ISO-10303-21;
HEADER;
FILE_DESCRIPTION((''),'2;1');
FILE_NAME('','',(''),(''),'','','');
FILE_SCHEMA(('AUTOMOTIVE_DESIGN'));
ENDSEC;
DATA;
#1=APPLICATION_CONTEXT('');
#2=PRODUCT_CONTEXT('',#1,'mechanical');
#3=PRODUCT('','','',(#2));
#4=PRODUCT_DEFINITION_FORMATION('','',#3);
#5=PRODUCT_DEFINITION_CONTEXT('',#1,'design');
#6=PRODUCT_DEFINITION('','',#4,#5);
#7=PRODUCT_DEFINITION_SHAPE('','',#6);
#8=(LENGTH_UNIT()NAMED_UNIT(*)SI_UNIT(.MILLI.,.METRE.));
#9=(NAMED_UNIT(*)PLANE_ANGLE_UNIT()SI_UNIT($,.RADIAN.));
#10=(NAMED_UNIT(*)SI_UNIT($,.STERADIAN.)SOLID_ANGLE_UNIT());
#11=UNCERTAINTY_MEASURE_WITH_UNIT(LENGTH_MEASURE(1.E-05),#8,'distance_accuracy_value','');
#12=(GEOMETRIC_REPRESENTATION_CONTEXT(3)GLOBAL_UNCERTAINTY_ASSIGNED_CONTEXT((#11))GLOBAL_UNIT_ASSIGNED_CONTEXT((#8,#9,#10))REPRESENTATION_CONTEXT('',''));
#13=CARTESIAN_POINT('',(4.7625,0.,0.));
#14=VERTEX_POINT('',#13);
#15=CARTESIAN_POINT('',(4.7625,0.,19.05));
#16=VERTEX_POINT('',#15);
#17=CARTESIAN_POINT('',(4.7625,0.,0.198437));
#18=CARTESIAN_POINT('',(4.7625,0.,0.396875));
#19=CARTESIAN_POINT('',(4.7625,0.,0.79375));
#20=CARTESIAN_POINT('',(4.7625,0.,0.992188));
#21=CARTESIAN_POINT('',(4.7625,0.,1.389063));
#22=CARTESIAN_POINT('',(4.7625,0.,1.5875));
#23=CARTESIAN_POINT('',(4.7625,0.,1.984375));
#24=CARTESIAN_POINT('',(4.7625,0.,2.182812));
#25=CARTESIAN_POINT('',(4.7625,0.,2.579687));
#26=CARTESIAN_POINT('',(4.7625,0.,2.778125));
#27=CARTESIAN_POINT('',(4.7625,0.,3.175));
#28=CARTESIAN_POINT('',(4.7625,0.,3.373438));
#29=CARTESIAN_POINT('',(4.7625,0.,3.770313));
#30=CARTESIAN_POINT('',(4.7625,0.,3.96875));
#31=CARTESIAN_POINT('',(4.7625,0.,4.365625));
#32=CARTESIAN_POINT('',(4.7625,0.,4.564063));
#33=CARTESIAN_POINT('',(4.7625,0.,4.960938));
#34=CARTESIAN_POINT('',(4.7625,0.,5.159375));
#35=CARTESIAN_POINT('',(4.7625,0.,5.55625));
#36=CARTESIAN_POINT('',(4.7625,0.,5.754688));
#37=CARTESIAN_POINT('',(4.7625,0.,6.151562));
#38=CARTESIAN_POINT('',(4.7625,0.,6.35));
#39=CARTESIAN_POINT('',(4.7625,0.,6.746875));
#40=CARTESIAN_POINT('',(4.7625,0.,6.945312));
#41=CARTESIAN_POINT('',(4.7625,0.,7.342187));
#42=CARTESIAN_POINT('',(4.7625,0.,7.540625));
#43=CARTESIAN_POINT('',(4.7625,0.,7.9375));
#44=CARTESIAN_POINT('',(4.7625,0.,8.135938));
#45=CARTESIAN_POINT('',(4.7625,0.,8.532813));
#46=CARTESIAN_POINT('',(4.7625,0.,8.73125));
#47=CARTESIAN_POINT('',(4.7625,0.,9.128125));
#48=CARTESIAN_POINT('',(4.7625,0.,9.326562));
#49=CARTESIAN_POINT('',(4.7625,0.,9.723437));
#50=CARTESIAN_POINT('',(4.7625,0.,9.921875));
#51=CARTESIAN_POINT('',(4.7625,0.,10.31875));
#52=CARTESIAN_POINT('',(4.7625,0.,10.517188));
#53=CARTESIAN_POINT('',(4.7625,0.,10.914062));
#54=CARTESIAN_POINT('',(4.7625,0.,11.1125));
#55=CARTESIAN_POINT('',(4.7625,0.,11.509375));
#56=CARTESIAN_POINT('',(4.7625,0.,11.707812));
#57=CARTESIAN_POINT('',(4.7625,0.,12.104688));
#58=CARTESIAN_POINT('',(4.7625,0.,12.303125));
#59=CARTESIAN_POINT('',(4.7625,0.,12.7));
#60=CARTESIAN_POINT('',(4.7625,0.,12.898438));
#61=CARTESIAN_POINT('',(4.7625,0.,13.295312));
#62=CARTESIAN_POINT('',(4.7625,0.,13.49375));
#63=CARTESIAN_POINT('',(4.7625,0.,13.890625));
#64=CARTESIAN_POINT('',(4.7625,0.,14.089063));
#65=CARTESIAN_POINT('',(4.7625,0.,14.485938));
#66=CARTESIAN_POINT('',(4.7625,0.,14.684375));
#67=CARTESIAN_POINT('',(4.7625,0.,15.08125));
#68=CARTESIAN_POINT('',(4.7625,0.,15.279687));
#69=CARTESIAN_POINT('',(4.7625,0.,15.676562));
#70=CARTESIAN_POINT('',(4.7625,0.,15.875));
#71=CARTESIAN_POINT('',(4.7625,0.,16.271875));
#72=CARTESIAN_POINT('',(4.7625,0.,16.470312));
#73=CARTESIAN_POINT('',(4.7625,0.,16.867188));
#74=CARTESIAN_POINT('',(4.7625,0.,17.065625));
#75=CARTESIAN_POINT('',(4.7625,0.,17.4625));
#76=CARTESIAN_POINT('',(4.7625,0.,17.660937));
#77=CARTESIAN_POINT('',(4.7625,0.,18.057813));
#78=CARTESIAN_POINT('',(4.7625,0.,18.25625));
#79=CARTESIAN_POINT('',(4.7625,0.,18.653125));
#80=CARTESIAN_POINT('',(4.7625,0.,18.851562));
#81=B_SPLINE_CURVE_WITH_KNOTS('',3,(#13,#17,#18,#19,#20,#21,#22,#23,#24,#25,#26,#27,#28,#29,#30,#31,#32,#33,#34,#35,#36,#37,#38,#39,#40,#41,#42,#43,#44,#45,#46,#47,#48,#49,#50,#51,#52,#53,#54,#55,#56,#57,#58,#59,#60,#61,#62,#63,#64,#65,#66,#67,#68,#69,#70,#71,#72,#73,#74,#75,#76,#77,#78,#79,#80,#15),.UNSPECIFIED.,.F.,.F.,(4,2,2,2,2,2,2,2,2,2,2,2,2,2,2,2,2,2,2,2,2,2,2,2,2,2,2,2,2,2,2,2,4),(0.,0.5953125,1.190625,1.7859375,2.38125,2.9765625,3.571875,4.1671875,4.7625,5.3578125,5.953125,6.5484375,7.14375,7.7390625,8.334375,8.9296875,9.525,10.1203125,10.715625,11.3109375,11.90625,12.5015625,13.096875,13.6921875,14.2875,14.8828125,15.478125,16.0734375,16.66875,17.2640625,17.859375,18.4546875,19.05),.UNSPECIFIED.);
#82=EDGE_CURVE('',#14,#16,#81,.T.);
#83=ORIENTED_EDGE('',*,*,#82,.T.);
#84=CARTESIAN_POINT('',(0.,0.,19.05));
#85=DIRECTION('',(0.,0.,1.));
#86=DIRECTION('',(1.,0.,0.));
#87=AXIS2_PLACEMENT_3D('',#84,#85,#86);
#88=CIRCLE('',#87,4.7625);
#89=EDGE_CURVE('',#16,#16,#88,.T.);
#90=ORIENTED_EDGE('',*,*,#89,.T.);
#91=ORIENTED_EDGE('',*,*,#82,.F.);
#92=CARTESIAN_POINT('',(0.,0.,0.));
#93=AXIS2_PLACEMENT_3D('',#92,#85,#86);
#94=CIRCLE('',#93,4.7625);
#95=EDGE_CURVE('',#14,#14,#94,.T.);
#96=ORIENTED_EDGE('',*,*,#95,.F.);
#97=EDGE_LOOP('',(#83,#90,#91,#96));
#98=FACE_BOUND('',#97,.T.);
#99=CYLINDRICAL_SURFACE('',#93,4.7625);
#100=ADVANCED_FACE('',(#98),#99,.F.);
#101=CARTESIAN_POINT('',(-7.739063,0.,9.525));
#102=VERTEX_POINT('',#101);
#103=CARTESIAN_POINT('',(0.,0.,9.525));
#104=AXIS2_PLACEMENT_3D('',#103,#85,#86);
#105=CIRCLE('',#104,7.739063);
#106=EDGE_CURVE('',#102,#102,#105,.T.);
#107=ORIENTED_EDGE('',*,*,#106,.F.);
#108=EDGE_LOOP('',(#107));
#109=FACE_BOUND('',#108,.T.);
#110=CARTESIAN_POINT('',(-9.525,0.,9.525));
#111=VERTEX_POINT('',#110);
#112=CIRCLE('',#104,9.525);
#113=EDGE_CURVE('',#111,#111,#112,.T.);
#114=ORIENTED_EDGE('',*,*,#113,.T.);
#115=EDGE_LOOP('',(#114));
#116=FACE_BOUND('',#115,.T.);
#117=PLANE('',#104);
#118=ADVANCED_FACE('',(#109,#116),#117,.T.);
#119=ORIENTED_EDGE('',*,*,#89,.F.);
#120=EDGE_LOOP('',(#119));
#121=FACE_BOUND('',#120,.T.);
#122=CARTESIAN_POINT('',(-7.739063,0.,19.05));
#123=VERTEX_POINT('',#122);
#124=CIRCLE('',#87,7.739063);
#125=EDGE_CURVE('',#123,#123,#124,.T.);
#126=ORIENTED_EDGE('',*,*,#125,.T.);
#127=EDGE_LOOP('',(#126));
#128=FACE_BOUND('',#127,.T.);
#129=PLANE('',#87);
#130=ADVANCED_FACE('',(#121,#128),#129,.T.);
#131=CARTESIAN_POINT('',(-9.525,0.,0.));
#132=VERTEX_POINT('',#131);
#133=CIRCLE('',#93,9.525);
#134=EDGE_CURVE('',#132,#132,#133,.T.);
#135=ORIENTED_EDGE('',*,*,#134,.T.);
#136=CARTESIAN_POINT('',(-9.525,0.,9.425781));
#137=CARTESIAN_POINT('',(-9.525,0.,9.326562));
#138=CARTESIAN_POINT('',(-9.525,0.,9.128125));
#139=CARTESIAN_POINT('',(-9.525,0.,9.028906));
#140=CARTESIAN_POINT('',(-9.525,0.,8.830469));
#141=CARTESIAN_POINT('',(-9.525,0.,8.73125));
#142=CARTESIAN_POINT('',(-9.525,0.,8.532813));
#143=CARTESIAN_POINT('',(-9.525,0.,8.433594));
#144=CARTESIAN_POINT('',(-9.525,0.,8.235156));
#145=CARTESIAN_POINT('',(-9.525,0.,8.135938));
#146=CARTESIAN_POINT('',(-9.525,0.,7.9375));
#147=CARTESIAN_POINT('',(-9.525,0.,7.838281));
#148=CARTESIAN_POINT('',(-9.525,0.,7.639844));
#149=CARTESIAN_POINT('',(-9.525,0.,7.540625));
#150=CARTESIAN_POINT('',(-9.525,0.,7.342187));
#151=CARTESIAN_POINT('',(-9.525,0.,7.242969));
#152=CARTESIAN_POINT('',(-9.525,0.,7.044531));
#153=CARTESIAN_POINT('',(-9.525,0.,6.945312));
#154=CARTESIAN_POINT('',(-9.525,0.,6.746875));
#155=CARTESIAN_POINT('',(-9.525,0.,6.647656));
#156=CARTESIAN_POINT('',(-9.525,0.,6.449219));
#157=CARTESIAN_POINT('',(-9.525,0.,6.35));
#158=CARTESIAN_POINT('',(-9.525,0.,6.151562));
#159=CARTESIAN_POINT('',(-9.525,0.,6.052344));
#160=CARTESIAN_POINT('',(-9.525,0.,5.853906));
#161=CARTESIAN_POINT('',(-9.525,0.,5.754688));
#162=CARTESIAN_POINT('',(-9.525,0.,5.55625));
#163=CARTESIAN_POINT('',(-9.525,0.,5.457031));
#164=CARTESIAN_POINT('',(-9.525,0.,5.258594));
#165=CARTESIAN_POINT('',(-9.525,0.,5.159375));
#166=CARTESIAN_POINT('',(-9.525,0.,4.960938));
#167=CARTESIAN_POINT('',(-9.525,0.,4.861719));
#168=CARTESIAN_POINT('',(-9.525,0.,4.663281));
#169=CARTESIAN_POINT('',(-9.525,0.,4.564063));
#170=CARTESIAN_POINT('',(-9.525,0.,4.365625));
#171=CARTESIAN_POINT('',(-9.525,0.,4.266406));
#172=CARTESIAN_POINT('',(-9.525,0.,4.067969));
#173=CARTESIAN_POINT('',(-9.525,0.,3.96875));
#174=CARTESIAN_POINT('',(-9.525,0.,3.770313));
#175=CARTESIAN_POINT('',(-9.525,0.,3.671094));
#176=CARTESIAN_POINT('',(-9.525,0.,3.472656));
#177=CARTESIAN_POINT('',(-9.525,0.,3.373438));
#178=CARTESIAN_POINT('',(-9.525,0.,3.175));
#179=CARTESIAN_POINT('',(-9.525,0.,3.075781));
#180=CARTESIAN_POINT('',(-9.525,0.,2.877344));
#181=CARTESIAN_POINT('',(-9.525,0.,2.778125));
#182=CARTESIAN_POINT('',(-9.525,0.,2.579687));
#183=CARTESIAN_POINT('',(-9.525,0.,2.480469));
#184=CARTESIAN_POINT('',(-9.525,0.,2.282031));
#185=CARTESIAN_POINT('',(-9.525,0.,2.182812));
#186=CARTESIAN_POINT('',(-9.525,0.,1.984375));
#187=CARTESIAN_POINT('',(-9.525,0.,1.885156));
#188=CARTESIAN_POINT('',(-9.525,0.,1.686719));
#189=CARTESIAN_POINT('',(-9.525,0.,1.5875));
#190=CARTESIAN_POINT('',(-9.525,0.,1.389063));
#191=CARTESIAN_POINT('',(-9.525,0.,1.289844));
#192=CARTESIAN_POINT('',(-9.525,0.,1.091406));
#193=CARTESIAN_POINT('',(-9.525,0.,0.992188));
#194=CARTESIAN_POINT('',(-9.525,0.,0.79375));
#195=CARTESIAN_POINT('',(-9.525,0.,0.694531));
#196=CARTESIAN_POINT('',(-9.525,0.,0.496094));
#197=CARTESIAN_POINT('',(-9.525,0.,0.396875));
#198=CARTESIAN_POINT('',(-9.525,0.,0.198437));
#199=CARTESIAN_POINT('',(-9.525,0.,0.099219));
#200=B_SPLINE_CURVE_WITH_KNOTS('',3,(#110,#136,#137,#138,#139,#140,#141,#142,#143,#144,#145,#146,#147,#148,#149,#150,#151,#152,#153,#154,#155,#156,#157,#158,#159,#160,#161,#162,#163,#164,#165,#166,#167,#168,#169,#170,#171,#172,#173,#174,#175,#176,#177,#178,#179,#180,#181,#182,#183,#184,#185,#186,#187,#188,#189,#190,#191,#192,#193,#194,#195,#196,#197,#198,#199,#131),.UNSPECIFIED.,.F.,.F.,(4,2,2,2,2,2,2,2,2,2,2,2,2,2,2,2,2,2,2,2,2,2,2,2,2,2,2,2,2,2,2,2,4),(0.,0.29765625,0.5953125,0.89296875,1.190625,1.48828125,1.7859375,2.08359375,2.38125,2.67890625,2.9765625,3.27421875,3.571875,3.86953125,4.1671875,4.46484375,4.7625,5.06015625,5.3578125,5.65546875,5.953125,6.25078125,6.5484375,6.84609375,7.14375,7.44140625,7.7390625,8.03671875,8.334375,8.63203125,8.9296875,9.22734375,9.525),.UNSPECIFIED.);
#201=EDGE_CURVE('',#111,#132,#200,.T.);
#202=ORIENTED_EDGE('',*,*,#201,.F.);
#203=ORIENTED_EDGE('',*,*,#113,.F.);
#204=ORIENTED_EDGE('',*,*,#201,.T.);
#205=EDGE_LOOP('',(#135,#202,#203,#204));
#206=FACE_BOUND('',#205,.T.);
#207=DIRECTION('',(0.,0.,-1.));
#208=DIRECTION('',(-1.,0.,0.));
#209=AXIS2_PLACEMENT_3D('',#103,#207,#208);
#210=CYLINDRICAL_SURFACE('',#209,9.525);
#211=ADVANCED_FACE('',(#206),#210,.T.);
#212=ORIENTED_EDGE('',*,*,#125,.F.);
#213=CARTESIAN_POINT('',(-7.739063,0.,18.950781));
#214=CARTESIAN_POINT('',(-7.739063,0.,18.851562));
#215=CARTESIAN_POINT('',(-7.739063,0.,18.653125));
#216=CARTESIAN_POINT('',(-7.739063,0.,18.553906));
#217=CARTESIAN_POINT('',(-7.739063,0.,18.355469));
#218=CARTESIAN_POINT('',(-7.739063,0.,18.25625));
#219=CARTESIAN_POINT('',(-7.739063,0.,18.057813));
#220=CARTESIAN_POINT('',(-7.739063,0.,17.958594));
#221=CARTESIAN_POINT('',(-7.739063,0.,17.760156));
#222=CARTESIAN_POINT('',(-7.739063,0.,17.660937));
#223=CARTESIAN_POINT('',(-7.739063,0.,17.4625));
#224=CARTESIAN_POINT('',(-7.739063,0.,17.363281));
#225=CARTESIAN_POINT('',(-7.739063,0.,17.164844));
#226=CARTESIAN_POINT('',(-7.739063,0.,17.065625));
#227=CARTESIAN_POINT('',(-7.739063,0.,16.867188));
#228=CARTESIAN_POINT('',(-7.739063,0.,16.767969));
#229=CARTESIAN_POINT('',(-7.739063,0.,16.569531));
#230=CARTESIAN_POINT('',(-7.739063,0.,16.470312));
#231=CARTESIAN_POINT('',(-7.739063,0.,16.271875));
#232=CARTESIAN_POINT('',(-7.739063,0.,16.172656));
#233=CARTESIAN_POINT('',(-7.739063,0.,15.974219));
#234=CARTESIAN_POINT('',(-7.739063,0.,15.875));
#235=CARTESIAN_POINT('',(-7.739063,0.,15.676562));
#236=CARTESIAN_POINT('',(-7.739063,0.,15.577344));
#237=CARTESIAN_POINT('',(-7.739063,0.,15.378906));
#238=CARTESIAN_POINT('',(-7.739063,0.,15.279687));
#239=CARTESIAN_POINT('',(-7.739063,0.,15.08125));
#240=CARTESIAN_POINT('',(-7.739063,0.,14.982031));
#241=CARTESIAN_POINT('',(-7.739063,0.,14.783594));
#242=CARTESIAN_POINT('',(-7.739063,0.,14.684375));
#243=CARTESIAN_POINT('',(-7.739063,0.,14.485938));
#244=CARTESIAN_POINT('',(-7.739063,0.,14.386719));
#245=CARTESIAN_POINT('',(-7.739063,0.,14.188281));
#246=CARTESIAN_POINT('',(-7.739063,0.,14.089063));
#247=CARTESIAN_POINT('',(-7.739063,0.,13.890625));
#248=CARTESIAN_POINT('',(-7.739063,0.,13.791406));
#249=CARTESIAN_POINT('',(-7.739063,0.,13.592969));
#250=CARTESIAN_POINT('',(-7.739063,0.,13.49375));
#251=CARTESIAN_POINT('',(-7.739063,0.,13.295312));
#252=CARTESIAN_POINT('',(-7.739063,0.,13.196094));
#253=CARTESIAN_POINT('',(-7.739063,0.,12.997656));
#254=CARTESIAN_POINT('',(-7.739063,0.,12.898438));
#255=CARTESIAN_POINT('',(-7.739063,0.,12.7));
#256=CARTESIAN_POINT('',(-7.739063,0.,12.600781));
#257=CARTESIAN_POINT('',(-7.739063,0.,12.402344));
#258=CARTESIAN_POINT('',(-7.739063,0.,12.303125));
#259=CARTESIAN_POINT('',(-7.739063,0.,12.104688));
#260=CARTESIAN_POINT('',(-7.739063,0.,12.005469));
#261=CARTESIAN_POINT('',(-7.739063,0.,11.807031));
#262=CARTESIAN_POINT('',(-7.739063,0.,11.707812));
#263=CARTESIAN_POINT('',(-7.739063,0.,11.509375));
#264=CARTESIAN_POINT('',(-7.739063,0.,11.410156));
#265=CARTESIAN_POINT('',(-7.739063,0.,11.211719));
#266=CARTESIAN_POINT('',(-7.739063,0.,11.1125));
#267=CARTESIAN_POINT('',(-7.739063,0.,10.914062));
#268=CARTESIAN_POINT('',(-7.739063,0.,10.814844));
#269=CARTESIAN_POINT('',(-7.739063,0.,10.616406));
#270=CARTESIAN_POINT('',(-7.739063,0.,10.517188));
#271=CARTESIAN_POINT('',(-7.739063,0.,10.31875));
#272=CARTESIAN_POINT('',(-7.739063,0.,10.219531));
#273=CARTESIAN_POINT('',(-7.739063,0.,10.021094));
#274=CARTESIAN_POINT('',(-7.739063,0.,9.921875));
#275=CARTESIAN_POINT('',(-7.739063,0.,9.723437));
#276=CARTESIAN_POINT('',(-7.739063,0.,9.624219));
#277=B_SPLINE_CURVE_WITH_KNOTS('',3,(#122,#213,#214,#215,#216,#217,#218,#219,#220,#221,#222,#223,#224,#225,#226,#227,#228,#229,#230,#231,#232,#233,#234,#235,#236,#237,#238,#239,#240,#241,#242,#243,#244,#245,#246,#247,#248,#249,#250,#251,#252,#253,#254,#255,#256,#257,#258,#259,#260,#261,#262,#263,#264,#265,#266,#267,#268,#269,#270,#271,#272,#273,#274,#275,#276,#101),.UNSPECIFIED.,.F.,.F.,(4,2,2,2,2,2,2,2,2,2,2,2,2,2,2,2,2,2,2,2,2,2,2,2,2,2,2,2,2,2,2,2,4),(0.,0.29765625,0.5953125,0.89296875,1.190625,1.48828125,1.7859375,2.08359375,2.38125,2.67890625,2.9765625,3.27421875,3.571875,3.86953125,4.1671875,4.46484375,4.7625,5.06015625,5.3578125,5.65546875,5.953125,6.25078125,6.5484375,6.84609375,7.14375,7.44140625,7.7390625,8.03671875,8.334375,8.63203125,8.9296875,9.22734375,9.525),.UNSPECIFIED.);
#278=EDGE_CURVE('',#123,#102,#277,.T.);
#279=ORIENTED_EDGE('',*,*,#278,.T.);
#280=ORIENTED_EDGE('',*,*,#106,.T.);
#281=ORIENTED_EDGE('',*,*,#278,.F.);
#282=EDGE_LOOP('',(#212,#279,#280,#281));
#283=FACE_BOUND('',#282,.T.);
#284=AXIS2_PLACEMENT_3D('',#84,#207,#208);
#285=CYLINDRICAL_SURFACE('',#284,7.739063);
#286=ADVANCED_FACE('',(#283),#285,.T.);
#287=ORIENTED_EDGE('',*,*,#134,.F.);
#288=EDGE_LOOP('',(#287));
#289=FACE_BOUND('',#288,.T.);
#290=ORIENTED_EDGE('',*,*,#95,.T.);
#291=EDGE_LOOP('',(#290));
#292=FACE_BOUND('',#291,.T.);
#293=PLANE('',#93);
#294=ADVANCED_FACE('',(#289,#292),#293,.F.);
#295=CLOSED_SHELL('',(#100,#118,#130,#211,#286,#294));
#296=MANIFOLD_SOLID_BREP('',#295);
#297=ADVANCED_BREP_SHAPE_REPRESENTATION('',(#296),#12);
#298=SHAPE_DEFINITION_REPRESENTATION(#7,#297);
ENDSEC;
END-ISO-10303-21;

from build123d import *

# Parameters (mm, degrees)
SKETCH1_R           = 9.525
BOSS_EXTRUDE1_DEPTH = 9.525
SKETCH2_R           = 7.7390625
BOSS_EXTRUDE2_DEPTH = 9.525
SKETCH3_R           = 4.7625
CUT_EXTRUDE1_DEPTH  = 24.3313898


with BuildPart() as part:
    # Sketch1 → Boss-Extrude1 (new body)
    with BuildSketch(Plane.XY):
        with Locations(Location((0, 0, 0), (0, 0, 180))):
            Circle(SKETCH1_R)
    extrude(amount=BOSS_EXTRUDE1_DEPTH)

    # Sketch2 → Boss-Extrude2 (add)
    with BuildSketch(Plane.XY.offset(9.525)):
        with Locations(Location((0, 0, 0), (0, 0, 180))):
            Circle(SKETCH2_R)
    extrude(amount=BOSS_EXTRUDE2_DEPTH)

    # Sketch3 → Cut-Extrude1 (cut, through all)
    with BuildSketch(Plane.XY.offset(19.05)):
        Circle(SKETCH3_R)
    extrude(amount=-CUT_EXTRUDE1_DEPTH, mode=Mode.SUBTRACT)


solid = part.part
